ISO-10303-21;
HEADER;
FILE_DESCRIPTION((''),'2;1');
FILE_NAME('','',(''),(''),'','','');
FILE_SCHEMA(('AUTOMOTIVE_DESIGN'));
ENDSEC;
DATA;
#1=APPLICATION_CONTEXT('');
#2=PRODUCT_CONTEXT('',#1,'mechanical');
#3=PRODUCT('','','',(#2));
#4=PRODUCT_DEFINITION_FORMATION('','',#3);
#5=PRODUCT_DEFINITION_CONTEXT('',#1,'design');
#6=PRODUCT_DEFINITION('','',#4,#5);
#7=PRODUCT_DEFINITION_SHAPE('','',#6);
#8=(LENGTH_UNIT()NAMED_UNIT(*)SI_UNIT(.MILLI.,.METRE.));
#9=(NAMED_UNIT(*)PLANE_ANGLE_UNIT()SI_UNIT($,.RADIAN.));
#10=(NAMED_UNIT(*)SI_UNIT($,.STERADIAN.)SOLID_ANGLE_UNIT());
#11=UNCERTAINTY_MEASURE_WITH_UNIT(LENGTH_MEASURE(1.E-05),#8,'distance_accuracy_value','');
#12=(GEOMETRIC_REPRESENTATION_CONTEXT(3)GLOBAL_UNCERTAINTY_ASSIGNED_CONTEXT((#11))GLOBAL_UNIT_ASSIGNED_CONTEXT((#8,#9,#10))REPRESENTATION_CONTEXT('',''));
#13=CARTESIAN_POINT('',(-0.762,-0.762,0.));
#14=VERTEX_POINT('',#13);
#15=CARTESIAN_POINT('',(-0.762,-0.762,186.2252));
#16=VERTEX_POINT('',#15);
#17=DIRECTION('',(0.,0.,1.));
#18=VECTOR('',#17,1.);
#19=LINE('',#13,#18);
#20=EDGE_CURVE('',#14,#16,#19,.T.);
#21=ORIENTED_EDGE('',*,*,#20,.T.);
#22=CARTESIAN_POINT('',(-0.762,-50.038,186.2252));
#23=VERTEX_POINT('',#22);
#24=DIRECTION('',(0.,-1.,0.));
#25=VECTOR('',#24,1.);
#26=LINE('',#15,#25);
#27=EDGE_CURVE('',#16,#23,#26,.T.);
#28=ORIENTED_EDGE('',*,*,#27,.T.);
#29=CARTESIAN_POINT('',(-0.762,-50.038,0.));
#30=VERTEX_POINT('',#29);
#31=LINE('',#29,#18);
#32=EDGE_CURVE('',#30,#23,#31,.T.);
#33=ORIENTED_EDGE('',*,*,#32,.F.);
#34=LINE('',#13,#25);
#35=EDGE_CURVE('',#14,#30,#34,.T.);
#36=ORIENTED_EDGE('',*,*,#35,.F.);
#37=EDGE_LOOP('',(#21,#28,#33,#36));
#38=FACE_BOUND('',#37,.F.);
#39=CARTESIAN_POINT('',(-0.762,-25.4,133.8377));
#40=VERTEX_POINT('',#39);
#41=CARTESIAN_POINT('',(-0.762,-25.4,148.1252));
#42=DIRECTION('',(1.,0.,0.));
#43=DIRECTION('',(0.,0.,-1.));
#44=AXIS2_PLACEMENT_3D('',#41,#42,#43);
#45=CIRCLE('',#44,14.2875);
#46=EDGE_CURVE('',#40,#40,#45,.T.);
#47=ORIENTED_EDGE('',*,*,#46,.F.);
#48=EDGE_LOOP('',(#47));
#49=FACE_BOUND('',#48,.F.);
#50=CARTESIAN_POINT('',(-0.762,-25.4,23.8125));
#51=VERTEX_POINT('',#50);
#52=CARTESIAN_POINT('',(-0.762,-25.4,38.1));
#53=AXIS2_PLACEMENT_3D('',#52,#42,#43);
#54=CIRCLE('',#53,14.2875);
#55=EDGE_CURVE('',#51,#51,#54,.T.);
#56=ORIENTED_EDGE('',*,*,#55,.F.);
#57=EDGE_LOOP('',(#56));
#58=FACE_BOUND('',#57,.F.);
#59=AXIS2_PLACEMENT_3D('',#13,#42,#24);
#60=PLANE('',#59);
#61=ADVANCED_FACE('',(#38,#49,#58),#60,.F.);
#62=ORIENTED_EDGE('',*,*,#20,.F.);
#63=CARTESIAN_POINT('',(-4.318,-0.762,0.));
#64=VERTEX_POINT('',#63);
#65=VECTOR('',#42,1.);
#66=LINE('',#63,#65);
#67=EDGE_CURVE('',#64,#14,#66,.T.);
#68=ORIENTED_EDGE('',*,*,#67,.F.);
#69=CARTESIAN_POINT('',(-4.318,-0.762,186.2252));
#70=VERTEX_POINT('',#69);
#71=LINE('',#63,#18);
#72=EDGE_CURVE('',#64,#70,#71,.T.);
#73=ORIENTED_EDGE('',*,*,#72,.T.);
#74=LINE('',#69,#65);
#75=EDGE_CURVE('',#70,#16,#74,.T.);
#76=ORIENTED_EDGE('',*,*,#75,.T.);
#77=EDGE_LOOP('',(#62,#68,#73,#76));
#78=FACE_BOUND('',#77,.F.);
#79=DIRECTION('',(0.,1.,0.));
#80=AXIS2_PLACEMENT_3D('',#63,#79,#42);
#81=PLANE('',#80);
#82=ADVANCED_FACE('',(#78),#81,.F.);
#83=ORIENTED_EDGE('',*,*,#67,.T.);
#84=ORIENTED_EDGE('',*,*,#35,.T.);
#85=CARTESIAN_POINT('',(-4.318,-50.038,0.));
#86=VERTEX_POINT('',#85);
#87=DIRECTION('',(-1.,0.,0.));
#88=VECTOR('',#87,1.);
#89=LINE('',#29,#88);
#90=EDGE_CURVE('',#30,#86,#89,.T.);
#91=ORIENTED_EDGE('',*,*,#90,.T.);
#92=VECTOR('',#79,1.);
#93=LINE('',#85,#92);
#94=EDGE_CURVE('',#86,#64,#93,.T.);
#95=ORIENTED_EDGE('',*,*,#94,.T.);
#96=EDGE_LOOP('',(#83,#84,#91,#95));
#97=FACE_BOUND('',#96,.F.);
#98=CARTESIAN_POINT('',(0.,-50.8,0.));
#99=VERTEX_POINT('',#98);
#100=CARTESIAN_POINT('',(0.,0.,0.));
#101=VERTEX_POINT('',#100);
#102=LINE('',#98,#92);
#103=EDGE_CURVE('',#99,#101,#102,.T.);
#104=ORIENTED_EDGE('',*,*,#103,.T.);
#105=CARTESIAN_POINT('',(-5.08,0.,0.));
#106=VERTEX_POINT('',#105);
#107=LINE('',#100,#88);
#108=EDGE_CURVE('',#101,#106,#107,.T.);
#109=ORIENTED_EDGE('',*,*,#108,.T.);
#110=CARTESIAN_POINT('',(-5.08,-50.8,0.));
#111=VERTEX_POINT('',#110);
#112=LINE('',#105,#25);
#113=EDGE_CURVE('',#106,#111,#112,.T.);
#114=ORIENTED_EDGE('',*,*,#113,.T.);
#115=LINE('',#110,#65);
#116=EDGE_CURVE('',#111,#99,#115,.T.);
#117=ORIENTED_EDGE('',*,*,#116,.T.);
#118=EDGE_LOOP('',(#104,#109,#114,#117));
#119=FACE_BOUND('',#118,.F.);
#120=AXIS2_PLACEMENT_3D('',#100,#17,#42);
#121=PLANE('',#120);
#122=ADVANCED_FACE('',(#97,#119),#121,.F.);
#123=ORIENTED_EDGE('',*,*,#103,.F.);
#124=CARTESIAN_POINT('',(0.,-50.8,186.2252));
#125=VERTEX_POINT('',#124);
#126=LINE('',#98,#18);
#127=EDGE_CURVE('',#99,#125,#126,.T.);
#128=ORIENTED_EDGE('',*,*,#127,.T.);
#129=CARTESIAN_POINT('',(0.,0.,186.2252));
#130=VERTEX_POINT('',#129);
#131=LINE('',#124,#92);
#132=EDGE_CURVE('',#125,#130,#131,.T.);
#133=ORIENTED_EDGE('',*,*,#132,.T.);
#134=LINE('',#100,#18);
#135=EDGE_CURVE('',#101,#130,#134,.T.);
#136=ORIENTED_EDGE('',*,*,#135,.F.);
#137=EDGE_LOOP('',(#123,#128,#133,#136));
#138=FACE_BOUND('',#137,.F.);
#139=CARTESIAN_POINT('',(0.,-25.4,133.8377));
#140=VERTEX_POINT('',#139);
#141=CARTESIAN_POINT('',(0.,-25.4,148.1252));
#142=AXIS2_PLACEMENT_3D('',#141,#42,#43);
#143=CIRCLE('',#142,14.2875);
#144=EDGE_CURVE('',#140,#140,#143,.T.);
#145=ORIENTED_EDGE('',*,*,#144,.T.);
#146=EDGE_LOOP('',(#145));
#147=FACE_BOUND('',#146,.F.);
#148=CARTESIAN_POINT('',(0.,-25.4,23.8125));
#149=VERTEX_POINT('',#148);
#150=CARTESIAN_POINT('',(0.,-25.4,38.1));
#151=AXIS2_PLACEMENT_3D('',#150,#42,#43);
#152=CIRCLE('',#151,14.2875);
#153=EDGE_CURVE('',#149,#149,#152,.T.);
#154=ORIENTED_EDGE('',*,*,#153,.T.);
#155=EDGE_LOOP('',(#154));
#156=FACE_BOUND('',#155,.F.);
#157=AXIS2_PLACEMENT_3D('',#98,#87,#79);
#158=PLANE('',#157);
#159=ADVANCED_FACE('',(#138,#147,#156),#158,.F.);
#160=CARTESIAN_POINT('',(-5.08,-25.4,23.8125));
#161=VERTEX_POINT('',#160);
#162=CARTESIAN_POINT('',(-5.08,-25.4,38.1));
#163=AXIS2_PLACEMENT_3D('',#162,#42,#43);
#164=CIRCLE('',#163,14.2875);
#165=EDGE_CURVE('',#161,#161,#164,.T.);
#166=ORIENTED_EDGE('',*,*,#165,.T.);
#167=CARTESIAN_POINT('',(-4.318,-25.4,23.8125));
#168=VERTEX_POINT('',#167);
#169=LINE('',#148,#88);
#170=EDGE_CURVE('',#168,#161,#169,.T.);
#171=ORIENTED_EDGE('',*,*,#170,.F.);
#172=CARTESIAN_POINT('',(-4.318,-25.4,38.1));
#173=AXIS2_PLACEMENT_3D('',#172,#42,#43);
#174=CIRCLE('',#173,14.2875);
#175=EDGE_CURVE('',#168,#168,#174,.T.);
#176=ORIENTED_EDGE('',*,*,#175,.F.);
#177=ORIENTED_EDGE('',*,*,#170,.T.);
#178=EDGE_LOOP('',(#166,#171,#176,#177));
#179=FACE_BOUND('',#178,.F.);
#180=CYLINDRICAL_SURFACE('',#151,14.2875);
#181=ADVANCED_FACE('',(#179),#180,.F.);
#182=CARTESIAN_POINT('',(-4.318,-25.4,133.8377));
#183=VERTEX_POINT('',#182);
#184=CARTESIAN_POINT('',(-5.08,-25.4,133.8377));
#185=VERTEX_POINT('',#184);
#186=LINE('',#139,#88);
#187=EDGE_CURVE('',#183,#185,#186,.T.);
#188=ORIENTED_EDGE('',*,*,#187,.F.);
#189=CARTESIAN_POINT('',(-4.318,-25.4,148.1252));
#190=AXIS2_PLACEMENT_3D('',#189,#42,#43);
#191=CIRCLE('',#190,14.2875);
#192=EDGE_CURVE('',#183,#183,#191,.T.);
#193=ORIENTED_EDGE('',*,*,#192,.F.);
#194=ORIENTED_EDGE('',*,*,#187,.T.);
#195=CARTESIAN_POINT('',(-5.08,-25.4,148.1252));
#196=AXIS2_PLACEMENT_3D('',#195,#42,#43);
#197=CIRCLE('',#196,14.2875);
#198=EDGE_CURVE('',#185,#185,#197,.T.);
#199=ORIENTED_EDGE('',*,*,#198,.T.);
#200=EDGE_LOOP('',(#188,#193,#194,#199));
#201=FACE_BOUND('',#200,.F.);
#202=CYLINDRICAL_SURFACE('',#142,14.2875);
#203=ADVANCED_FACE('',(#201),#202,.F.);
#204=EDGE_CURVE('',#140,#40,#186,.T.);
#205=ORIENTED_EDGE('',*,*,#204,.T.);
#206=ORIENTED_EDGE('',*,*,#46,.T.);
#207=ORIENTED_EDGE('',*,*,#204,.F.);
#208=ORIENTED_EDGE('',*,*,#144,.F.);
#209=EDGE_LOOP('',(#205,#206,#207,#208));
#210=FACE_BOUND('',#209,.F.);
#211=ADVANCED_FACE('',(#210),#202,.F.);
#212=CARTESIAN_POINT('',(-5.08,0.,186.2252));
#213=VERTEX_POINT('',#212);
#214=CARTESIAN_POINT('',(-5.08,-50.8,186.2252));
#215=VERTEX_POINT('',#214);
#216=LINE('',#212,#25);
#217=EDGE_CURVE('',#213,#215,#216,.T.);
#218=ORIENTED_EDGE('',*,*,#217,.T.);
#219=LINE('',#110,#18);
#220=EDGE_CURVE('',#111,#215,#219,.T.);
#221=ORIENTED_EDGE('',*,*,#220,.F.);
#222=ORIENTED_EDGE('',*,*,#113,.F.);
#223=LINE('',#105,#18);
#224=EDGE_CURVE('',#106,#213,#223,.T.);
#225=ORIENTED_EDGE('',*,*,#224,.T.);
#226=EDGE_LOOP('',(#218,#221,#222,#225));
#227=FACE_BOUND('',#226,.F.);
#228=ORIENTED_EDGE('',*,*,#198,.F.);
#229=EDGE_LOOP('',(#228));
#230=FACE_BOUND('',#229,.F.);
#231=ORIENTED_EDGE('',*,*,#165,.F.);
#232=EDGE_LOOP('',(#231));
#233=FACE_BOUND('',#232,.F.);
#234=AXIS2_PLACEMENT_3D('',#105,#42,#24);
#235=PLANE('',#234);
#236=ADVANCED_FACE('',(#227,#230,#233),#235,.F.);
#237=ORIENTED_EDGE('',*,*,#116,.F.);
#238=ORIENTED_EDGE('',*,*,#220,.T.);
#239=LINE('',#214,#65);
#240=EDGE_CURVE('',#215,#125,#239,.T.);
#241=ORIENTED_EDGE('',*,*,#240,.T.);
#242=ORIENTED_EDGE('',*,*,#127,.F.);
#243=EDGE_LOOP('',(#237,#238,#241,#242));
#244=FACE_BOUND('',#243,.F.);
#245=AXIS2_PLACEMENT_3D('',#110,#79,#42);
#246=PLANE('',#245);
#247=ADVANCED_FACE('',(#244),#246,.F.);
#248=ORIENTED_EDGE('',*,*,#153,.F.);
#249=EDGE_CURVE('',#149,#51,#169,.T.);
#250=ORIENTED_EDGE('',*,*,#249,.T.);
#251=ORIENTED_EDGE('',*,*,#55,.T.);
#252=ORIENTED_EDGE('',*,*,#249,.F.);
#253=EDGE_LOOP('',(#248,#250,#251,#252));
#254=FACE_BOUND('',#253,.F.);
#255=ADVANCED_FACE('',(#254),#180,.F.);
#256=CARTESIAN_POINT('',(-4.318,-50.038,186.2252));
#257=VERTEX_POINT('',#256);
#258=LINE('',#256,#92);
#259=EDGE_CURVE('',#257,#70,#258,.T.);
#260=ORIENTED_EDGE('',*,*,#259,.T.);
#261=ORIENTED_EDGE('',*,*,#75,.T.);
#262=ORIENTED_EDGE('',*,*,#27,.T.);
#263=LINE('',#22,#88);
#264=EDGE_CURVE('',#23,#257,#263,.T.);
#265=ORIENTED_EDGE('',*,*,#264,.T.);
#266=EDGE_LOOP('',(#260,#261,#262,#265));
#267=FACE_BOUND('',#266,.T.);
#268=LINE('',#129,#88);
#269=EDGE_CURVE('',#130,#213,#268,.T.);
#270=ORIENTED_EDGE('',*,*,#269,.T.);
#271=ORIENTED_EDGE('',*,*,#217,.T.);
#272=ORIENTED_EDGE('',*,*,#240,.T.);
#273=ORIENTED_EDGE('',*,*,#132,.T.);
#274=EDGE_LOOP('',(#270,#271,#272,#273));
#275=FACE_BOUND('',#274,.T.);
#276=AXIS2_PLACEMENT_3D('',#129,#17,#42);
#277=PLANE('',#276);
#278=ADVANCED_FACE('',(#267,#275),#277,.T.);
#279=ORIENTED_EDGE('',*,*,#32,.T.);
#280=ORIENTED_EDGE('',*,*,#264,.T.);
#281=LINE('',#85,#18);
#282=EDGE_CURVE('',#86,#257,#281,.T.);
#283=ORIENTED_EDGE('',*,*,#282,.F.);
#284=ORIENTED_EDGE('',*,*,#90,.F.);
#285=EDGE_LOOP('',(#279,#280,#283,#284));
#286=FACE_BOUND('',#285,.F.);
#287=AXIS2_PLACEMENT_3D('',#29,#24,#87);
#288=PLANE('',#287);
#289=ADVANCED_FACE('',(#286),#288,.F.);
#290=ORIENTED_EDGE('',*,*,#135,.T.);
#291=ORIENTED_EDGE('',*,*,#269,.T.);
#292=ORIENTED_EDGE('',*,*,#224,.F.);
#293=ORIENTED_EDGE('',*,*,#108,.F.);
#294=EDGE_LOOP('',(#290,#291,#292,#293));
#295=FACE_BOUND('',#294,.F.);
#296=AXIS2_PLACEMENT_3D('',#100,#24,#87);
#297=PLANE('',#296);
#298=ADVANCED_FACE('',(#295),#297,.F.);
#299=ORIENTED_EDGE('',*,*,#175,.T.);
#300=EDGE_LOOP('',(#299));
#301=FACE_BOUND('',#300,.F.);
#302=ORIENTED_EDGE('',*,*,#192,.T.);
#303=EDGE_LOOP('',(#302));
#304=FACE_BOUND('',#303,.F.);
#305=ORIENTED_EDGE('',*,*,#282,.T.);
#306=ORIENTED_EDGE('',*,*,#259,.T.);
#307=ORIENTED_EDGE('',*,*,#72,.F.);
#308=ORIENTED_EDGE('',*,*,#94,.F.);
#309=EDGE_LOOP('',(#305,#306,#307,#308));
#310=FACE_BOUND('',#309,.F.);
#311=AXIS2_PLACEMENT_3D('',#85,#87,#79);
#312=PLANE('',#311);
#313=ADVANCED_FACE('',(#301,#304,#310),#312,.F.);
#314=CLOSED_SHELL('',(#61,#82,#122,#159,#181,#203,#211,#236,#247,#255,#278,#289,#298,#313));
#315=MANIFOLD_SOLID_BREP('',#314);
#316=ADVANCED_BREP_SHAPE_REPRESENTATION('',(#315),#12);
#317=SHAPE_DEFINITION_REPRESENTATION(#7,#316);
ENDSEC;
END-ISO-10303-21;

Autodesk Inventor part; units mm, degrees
ref_plane "YZ Plane" through (0, 0, 0) normal (1, 0, 0) x (0, 1, 0)
ref_plane "XZ Plane" through (0, 0, 0) normal (0, 1, 0) x (-1, 0, 0)
ref_plane "XY Plane" through (0, 0, 0) normal (0, 0, 1) x (1, 0, 0)
sketch "Sketch1" plane through (0, 0, 0) normal (0, 0, 1) x (1, 0, 0)
  line L0 (0, 0) -> (-5.08, 0)
  line L1 (-5.08, 0) -> (-5.08, -50.8)
  line L2 (-5.08, -50.8) -> (0, -50.8)
  line L3 (0, -50.8) -> (0, 0)
  line L4 (-4.318, -0.762) -> (-0.762, -0.762)
  line L5 (-0.762, -0.762) -> (-0.762, -50.038)
  line L6 (-0.762, -50.038) -> (-4.318, -50.038)
  line L7 (-4.318, -50.038) -> (-4.318, -0.762)
  dimension "d0" = 5.08
  dimension "d1" = 50.8
  dimension "d2" = 0.762
extrude "Extrusion1" add sketch "Sketch1" along normal blind 186.2252
sketch "Sketch2" plane through (0, -50.8, 0) normal (1, 0, 0) x (0, 0, -1)
  circle A0 centre (-148.1252, 25.4) radius 14.2875
  circle A1 centre (-38.1, 25.4) radius 14.2875
  line L0 (0, 0) -> (-186.2252, 0) projected
  line L1 (0, 0) -> (0, 50.8) projected
  line L2 (-186.2252, 0) -> (-186.2252, 50.8) projected
  line L3 (0, 50.8) -> (-186.2252, 50.8) projected
  dimension "d5" = 25.4
  dimension "d6" = 38.1
  dimension "d7" = 28.575
  dimension "d8" = 38.1
  dimension "d9" = 25.4
  dimension "d10" = 28.575
  dimension "d13" = 110.0252
extrude "Extrusion2" cut sketch "Sketch2" against normal blind 198.12 contours A0 | A1
properties part number "DRL SSS"
